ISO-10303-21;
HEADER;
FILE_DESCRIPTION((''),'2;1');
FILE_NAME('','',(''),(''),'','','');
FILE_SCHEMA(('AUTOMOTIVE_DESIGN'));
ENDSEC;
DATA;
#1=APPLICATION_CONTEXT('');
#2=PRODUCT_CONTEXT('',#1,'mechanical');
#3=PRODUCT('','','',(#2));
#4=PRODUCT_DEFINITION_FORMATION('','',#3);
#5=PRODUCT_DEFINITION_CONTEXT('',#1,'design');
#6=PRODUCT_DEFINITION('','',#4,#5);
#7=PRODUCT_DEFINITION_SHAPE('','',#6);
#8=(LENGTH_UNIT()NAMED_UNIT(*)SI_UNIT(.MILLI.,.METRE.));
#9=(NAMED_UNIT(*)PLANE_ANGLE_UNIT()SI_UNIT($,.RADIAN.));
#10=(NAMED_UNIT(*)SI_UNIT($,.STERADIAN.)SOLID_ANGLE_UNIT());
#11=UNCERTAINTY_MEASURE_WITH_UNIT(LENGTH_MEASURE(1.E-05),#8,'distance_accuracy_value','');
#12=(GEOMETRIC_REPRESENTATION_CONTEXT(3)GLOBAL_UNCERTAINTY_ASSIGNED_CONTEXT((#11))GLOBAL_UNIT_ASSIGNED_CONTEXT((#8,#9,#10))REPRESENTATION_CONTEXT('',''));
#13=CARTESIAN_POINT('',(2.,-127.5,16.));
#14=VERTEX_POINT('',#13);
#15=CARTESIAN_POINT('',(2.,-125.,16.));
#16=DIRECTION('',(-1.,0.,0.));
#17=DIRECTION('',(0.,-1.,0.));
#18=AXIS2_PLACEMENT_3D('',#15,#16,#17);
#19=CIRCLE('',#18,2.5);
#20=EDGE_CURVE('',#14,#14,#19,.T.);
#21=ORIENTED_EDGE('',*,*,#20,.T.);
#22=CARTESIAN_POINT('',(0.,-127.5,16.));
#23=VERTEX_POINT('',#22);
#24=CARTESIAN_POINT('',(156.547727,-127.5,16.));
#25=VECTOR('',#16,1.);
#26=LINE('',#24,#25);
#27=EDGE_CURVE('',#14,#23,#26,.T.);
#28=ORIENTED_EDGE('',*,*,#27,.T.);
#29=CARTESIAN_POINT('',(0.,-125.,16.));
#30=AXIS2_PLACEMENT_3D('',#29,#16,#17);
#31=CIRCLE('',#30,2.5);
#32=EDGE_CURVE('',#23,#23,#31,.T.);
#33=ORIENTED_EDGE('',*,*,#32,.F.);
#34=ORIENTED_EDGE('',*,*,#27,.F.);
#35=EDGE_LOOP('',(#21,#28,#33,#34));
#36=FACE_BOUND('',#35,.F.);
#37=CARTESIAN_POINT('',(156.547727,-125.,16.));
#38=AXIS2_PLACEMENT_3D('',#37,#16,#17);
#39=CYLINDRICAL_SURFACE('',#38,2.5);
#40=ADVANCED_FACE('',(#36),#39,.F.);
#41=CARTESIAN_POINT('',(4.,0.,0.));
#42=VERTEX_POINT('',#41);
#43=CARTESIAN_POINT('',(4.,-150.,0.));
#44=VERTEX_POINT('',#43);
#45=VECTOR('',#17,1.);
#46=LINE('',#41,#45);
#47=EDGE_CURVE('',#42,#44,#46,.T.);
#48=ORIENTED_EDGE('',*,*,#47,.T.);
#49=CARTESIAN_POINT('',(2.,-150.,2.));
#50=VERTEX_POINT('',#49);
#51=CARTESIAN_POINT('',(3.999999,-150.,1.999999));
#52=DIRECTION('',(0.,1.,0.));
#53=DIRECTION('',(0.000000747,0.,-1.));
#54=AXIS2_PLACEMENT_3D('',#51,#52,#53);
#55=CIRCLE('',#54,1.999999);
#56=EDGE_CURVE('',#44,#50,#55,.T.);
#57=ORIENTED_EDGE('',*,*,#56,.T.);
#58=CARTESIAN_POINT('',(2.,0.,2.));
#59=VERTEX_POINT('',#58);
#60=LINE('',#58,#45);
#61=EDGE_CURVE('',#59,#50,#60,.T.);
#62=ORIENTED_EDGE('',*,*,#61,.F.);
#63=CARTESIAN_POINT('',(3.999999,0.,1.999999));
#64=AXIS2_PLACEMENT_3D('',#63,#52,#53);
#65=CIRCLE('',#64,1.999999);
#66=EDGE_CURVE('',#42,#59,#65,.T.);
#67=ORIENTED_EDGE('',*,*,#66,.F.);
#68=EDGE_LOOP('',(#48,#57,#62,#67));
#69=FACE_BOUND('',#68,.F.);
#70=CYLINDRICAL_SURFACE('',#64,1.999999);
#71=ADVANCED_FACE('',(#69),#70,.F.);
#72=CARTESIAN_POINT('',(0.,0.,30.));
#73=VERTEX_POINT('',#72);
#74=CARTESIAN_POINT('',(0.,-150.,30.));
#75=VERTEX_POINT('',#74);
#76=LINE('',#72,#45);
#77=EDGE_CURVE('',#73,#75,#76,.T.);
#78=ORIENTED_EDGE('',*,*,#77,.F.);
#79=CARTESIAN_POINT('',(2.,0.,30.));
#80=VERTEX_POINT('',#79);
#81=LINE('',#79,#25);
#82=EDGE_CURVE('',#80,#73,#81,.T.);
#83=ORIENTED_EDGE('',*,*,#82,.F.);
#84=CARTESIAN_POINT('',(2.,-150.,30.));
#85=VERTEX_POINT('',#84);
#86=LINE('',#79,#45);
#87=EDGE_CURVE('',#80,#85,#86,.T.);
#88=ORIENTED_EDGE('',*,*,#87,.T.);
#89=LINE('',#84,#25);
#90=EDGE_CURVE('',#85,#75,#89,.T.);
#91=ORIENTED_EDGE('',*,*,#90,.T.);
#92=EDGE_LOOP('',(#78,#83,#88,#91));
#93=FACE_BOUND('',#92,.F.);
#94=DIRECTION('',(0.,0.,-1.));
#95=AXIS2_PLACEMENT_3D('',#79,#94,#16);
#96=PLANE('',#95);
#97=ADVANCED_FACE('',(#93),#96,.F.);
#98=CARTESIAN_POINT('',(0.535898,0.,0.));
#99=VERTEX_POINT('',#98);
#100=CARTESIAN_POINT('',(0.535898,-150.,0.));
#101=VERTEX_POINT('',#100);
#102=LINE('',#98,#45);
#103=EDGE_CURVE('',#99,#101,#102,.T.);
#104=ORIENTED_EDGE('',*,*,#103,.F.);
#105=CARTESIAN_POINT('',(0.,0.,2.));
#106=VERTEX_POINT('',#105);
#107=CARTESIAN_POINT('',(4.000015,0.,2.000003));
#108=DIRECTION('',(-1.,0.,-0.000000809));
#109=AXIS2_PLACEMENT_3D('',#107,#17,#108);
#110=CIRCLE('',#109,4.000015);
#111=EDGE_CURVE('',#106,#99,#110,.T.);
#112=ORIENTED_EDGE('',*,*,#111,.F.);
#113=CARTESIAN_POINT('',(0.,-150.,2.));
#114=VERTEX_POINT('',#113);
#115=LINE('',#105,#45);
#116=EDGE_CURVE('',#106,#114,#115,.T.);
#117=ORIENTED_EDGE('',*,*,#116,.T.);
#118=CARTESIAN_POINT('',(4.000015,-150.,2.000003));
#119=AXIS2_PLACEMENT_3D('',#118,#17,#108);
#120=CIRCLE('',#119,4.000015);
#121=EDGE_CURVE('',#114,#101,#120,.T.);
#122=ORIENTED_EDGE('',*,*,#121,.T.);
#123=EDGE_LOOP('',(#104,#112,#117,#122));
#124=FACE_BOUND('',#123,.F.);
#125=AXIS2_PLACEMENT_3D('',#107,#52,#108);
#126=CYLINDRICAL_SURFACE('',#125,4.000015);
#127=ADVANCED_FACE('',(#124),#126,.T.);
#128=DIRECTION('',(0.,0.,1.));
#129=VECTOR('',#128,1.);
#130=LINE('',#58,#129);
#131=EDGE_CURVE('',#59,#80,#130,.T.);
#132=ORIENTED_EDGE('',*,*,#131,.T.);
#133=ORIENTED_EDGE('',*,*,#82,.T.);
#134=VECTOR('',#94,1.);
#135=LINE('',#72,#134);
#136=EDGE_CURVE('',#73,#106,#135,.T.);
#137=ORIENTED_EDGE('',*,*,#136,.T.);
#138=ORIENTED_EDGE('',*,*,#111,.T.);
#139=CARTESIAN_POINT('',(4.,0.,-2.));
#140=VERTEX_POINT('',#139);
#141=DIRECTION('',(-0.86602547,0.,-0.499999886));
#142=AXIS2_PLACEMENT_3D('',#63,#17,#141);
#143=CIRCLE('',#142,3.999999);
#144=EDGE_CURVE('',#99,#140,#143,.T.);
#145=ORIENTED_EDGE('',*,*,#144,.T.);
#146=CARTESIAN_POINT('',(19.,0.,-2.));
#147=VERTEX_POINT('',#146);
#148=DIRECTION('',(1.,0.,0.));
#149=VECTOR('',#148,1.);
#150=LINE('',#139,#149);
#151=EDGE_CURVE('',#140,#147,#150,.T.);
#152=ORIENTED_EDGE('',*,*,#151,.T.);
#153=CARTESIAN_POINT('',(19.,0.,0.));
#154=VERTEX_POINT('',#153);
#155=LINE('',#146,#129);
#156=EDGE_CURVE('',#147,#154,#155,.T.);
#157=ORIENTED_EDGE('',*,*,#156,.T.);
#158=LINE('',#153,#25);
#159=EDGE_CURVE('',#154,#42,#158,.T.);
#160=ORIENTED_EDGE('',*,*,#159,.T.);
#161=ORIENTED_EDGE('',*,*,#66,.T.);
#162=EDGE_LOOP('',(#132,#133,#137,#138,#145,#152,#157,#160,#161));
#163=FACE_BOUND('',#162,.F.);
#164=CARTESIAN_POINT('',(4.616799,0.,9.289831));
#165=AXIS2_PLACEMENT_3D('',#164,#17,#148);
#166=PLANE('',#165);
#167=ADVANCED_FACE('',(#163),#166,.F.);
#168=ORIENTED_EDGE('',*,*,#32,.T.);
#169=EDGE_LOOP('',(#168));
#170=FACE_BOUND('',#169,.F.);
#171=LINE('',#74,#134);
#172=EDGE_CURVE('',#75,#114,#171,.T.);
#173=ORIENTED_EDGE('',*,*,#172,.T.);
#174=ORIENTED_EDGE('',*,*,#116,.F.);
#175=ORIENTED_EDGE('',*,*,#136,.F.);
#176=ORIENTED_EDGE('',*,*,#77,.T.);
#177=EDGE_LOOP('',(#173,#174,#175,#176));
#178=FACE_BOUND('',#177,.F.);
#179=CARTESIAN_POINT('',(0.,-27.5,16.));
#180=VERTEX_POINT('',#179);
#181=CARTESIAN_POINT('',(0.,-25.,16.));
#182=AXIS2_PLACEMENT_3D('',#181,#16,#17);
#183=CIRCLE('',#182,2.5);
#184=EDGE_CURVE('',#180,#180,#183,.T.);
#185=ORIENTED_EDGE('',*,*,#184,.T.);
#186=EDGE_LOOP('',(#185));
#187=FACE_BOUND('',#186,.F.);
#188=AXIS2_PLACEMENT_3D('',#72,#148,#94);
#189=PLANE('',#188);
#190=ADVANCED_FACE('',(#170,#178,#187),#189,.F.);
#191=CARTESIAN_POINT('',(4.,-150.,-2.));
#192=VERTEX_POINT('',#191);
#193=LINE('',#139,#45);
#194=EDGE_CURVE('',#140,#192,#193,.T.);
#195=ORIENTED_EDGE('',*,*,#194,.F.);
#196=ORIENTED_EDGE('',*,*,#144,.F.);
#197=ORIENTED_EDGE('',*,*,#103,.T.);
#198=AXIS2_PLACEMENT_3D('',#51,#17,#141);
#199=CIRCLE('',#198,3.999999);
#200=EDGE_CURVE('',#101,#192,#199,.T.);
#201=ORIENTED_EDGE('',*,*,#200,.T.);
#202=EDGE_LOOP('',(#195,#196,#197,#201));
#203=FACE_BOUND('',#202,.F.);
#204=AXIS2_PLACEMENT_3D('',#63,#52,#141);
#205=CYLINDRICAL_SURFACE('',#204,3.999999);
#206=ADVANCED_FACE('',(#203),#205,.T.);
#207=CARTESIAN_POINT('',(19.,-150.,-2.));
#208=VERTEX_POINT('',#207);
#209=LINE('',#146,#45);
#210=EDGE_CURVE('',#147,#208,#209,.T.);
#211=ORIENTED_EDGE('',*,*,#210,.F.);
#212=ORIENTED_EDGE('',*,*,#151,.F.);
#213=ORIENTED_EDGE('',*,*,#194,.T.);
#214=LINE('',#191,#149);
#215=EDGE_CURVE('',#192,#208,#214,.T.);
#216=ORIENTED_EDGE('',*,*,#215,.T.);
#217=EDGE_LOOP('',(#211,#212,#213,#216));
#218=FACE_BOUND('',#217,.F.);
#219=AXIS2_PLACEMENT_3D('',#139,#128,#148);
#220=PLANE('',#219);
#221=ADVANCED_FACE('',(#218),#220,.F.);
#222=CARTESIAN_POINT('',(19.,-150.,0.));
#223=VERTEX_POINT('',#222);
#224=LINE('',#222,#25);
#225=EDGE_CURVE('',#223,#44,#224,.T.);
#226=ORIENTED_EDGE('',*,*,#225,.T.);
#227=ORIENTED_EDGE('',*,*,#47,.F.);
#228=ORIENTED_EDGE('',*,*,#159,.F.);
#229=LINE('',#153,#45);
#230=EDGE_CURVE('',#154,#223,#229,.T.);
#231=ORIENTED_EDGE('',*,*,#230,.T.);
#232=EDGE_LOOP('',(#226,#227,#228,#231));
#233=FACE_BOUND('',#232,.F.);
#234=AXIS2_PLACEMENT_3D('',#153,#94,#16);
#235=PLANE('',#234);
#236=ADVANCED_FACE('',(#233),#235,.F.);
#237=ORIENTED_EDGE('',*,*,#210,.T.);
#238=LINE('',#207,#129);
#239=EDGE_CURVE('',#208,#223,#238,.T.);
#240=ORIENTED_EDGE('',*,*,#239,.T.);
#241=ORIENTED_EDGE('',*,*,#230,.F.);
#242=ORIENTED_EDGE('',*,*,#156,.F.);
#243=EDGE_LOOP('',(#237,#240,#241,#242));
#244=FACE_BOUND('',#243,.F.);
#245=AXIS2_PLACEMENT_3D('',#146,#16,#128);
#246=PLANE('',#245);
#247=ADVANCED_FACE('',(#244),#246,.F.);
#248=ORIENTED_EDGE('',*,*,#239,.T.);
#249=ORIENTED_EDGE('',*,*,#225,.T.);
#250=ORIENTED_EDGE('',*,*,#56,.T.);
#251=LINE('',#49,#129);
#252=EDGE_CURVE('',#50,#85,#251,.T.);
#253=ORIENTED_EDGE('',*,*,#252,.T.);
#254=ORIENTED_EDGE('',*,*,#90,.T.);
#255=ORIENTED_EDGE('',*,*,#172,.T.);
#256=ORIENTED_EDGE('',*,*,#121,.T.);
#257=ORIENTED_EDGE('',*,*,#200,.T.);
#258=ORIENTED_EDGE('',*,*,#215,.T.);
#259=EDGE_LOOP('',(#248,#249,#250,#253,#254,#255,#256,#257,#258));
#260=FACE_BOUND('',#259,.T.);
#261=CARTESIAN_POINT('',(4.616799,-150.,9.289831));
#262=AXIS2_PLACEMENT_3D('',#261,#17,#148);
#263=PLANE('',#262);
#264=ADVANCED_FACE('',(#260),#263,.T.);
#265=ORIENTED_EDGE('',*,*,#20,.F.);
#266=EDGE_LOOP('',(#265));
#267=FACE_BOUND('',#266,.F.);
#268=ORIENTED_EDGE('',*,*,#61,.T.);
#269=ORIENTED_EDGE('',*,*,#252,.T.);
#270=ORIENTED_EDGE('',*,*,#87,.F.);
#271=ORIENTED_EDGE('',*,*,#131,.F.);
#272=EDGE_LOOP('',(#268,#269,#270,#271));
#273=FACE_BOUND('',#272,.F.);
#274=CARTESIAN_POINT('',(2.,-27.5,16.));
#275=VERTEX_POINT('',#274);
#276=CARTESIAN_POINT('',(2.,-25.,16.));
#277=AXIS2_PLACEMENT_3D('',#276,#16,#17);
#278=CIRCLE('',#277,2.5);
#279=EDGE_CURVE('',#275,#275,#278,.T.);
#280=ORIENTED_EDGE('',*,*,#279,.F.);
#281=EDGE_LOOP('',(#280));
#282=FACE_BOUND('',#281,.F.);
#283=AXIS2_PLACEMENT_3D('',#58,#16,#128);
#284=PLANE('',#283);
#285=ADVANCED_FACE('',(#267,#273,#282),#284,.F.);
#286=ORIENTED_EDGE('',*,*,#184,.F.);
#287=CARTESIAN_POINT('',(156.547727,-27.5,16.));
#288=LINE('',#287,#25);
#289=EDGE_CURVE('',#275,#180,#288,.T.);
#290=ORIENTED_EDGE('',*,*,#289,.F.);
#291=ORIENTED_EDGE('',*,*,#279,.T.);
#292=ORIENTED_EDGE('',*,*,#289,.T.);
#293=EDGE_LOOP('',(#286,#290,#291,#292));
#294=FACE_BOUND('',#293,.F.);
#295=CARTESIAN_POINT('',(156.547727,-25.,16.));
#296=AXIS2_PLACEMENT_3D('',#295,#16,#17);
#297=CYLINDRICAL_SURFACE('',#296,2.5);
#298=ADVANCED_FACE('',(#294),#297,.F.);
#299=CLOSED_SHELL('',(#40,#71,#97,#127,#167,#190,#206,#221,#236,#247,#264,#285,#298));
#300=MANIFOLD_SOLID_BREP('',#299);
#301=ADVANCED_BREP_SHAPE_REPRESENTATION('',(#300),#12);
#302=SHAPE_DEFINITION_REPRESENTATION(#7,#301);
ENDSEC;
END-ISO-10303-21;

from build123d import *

# Parameters (mm, degrees)
F1_DEPTH = 150
F3_D     = 5


with BuildPart() as f1:
    # F0 (on Front) → F1 (new body)
    with BuildSketch(Plane.XZ):
        with BuildLine():
            Line((2, 30), (0, 30))
            Line((0, 30), (0, 2))
            ThreePointArc((0, 2), (0.136297, 0.964724), (0.535898, 0))
            ThreePointArc((0.535898, 0), (2, -1.464102), (4, -2))
            Line((4, -2), (19, -2))
            Line((19, -2), (19, 0))
            Line((19, 0), (4, 0))
            ThreePointArc((4, 0), (2.585786, 0.585786), (2, 2))
            Line((2, 2), (2, 30))
        make_face()
    extrude(amount=F1_DEPTH)

    # F3 (through all)
    with Locations(Plane.YZ.offset(2)):
        with Locations((-125, 16), (-25, 16)):
            Hole(F3_D / 2)


solid = f1.part
